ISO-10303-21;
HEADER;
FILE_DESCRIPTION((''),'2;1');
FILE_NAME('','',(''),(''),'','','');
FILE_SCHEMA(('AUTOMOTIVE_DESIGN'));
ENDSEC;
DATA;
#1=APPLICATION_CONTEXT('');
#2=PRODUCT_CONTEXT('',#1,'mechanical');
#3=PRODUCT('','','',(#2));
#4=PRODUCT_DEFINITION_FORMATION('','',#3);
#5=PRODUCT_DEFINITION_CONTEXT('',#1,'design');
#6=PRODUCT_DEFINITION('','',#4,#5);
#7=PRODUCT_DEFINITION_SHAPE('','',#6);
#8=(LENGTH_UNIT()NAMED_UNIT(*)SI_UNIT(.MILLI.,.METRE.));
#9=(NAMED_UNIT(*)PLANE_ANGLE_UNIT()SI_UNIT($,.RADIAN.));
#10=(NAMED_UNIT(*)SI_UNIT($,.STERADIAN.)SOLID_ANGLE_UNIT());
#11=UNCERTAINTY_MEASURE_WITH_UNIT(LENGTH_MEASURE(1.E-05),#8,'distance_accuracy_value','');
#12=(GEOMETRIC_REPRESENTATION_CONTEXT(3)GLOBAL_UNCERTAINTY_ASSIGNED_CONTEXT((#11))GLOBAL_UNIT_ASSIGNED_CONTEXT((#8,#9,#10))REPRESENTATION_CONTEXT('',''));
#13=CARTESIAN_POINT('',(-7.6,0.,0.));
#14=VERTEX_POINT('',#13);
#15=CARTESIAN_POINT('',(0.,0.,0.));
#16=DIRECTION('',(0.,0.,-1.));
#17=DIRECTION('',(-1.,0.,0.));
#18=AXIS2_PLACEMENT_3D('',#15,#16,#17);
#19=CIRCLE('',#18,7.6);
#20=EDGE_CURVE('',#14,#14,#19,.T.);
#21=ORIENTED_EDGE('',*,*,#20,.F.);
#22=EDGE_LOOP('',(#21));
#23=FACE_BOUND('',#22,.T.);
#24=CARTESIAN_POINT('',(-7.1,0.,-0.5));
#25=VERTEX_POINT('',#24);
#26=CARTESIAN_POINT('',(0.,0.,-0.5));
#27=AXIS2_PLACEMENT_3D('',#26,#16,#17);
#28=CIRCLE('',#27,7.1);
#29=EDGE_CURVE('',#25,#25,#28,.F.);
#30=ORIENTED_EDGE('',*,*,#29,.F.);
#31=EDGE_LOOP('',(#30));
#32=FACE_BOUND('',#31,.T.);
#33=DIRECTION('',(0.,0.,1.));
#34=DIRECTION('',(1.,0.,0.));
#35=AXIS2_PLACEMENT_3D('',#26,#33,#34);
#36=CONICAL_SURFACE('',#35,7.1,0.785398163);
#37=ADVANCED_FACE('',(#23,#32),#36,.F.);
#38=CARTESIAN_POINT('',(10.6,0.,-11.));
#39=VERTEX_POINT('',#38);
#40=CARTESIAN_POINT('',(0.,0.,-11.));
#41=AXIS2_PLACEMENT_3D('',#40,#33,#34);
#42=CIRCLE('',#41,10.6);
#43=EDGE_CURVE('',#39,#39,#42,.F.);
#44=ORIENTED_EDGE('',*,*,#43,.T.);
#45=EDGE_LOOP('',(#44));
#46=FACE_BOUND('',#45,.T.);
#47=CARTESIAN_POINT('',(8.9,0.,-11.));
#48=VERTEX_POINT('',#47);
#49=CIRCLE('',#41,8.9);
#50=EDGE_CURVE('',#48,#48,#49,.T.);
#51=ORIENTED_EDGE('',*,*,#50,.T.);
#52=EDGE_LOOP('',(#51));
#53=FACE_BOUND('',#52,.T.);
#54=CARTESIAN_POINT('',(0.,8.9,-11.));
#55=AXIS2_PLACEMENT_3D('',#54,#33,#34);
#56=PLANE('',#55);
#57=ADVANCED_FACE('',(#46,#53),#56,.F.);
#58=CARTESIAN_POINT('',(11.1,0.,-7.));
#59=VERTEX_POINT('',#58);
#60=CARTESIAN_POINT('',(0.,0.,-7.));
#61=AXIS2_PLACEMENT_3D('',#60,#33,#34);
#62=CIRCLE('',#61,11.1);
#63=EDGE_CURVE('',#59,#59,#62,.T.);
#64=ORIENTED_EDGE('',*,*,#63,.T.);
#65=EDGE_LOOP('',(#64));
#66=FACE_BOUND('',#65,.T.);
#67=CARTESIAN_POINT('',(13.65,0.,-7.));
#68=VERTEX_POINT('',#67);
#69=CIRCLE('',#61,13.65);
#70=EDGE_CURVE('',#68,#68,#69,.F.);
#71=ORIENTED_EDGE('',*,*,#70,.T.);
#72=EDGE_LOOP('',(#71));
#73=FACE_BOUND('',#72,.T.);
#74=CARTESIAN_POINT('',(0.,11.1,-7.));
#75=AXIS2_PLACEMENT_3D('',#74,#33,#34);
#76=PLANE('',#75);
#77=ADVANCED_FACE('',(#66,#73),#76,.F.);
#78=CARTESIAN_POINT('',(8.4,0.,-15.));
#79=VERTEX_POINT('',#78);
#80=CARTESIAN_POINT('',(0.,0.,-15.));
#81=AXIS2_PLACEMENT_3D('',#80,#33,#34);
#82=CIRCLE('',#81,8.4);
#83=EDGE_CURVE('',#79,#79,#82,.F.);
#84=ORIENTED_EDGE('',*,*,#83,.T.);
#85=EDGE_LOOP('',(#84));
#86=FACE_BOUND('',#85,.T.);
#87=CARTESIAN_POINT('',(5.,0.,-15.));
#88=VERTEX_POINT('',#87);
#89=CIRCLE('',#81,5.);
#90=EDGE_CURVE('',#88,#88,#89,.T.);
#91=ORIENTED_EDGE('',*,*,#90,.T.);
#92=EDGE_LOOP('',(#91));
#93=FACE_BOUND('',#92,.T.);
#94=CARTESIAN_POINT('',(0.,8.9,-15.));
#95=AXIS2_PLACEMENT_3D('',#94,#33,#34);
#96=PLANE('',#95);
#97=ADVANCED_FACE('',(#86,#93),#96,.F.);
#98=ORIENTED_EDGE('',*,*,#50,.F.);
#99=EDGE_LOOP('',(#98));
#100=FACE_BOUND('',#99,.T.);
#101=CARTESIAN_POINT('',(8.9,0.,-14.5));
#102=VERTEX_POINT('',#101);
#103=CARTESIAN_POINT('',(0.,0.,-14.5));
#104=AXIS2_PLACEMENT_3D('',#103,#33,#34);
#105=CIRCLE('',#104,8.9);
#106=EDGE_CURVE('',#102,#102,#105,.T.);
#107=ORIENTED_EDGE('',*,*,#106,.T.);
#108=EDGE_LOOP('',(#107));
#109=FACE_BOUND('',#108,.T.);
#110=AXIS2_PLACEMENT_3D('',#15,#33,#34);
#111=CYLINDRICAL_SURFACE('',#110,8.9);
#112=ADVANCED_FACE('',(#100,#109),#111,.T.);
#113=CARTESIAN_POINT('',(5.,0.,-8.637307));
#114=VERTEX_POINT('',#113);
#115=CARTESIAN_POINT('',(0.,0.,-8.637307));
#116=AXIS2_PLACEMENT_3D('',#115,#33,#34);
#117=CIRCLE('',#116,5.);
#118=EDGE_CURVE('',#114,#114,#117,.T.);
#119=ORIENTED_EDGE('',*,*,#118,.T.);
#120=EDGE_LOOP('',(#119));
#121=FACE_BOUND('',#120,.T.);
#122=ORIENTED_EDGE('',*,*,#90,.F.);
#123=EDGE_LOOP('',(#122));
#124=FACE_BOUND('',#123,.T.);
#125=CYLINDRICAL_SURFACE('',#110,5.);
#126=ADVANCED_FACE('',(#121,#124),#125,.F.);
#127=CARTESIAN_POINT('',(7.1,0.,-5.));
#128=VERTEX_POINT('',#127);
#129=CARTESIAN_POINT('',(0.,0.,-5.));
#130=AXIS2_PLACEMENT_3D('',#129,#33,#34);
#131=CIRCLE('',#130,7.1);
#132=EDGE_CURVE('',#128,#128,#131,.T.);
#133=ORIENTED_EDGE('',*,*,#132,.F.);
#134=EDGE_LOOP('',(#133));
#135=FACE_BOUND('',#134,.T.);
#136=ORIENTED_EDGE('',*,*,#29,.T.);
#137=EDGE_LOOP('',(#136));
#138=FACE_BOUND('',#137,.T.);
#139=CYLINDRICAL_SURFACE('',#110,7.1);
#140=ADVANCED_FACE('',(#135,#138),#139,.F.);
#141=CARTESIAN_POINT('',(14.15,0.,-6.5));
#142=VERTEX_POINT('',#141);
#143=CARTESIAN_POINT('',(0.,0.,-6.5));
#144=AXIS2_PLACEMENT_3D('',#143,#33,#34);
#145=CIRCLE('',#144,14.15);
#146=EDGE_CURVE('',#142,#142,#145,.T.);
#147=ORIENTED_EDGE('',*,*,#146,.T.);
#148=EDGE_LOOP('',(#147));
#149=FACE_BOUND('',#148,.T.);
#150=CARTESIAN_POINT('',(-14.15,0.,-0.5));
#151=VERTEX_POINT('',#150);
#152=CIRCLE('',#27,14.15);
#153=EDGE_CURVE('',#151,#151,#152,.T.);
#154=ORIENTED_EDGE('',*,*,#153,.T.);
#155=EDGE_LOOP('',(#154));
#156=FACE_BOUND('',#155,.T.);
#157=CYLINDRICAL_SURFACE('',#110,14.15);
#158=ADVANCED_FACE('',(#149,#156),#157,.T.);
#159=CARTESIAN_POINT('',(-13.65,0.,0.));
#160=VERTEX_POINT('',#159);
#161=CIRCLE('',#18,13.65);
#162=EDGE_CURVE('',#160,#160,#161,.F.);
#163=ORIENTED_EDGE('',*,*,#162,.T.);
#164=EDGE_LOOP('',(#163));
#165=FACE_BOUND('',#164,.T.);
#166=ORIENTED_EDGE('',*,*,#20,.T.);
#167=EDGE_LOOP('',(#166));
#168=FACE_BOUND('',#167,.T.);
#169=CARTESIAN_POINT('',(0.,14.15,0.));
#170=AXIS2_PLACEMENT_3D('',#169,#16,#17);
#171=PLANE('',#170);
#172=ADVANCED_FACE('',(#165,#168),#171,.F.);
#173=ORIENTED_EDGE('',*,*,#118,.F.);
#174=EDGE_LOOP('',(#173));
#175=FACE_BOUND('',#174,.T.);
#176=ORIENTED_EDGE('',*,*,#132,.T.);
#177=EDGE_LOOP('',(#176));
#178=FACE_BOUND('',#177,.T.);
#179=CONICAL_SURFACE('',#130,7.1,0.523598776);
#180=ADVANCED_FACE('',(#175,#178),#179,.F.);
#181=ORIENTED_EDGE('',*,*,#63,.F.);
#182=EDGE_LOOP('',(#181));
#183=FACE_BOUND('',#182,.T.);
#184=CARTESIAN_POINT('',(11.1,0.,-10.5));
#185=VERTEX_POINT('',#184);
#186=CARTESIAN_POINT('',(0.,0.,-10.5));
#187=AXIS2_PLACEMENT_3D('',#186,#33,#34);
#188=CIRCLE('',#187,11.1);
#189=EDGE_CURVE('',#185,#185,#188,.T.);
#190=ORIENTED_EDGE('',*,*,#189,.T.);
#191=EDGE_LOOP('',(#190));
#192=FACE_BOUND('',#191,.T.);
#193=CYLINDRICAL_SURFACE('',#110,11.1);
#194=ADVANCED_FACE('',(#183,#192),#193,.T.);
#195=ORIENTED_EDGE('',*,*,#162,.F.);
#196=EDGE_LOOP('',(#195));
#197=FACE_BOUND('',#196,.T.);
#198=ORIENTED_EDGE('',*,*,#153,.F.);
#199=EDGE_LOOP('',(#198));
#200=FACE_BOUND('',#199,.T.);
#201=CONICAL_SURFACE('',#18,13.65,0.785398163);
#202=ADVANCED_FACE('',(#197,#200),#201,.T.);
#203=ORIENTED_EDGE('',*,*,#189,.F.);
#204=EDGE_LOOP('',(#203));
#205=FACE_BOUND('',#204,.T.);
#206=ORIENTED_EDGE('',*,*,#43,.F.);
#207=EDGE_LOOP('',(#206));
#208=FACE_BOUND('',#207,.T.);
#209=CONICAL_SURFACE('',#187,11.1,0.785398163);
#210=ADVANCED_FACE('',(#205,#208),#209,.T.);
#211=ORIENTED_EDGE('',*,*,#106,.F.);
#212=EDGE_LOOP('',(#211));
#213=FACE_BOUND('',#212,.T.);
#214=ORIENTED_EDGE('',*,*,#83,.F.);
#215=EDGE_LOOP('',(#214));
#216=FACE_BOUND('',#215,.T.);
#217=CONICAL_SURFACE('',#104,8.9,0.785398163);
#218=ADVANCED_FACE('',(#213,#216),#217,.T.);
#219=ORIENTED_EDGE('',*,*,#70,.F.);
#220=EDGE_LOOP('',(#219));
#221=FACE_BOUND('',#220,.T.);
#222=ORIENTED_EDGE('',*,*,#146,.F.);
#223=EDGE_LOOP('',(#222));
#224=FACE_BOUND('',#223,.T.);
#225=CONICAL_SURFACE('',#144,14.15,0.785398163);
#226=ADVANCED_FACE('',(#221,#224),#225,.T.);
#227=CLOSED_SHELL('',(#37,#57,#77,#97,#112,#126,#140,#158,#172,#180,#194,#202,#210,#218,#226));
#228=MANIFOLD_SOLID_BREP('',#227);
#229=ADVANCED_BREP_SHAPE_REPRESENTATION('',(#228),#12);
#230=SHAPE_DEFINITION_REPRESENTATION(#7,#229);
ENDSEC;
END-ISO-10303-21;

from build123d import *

# Parameters (mm, degrees)
CHAMFER1_SIZE = 0.5


with BuildPart() as part:
    # Sketch2 → Revolve1 (revolve)
    with BuildSketch(Plane(origin=(0, 0, 0), x_dir=(0, 0, -1), z_dir=(1, 0, 0)), mode=Mode.PRIVATE) as revolve1_sk:
        Polygon((15, 8.9), (11, 8.9), (11, 11.1), (7, 11.1), (7, 14.15), (0, 14.15), (0, 7.1), (5, 7.1), (8.637306696, 5), (15, 5), align=None)
    revolve(revolve1_sk.sketch.rotate(Axis((0, 0, 0), (0, 0, -1)), 90), axis=Axis((0, 0, 0), (0, 0, -1)))

    # Chamfer1
    chamfer1_edges = [part.edges().sort_by_distance(p)[0] for p in [
        (-14.15, 0, -7),
        (-11.1, 0, -11),
        (-8.9, 0, -15),
        (-7.1, 0, 0),
        (-14.15, 0, 0),
    ]]
    chamfer(chamfer1_edges, length=CHAMFER1_SIZE)


solid = part.part
